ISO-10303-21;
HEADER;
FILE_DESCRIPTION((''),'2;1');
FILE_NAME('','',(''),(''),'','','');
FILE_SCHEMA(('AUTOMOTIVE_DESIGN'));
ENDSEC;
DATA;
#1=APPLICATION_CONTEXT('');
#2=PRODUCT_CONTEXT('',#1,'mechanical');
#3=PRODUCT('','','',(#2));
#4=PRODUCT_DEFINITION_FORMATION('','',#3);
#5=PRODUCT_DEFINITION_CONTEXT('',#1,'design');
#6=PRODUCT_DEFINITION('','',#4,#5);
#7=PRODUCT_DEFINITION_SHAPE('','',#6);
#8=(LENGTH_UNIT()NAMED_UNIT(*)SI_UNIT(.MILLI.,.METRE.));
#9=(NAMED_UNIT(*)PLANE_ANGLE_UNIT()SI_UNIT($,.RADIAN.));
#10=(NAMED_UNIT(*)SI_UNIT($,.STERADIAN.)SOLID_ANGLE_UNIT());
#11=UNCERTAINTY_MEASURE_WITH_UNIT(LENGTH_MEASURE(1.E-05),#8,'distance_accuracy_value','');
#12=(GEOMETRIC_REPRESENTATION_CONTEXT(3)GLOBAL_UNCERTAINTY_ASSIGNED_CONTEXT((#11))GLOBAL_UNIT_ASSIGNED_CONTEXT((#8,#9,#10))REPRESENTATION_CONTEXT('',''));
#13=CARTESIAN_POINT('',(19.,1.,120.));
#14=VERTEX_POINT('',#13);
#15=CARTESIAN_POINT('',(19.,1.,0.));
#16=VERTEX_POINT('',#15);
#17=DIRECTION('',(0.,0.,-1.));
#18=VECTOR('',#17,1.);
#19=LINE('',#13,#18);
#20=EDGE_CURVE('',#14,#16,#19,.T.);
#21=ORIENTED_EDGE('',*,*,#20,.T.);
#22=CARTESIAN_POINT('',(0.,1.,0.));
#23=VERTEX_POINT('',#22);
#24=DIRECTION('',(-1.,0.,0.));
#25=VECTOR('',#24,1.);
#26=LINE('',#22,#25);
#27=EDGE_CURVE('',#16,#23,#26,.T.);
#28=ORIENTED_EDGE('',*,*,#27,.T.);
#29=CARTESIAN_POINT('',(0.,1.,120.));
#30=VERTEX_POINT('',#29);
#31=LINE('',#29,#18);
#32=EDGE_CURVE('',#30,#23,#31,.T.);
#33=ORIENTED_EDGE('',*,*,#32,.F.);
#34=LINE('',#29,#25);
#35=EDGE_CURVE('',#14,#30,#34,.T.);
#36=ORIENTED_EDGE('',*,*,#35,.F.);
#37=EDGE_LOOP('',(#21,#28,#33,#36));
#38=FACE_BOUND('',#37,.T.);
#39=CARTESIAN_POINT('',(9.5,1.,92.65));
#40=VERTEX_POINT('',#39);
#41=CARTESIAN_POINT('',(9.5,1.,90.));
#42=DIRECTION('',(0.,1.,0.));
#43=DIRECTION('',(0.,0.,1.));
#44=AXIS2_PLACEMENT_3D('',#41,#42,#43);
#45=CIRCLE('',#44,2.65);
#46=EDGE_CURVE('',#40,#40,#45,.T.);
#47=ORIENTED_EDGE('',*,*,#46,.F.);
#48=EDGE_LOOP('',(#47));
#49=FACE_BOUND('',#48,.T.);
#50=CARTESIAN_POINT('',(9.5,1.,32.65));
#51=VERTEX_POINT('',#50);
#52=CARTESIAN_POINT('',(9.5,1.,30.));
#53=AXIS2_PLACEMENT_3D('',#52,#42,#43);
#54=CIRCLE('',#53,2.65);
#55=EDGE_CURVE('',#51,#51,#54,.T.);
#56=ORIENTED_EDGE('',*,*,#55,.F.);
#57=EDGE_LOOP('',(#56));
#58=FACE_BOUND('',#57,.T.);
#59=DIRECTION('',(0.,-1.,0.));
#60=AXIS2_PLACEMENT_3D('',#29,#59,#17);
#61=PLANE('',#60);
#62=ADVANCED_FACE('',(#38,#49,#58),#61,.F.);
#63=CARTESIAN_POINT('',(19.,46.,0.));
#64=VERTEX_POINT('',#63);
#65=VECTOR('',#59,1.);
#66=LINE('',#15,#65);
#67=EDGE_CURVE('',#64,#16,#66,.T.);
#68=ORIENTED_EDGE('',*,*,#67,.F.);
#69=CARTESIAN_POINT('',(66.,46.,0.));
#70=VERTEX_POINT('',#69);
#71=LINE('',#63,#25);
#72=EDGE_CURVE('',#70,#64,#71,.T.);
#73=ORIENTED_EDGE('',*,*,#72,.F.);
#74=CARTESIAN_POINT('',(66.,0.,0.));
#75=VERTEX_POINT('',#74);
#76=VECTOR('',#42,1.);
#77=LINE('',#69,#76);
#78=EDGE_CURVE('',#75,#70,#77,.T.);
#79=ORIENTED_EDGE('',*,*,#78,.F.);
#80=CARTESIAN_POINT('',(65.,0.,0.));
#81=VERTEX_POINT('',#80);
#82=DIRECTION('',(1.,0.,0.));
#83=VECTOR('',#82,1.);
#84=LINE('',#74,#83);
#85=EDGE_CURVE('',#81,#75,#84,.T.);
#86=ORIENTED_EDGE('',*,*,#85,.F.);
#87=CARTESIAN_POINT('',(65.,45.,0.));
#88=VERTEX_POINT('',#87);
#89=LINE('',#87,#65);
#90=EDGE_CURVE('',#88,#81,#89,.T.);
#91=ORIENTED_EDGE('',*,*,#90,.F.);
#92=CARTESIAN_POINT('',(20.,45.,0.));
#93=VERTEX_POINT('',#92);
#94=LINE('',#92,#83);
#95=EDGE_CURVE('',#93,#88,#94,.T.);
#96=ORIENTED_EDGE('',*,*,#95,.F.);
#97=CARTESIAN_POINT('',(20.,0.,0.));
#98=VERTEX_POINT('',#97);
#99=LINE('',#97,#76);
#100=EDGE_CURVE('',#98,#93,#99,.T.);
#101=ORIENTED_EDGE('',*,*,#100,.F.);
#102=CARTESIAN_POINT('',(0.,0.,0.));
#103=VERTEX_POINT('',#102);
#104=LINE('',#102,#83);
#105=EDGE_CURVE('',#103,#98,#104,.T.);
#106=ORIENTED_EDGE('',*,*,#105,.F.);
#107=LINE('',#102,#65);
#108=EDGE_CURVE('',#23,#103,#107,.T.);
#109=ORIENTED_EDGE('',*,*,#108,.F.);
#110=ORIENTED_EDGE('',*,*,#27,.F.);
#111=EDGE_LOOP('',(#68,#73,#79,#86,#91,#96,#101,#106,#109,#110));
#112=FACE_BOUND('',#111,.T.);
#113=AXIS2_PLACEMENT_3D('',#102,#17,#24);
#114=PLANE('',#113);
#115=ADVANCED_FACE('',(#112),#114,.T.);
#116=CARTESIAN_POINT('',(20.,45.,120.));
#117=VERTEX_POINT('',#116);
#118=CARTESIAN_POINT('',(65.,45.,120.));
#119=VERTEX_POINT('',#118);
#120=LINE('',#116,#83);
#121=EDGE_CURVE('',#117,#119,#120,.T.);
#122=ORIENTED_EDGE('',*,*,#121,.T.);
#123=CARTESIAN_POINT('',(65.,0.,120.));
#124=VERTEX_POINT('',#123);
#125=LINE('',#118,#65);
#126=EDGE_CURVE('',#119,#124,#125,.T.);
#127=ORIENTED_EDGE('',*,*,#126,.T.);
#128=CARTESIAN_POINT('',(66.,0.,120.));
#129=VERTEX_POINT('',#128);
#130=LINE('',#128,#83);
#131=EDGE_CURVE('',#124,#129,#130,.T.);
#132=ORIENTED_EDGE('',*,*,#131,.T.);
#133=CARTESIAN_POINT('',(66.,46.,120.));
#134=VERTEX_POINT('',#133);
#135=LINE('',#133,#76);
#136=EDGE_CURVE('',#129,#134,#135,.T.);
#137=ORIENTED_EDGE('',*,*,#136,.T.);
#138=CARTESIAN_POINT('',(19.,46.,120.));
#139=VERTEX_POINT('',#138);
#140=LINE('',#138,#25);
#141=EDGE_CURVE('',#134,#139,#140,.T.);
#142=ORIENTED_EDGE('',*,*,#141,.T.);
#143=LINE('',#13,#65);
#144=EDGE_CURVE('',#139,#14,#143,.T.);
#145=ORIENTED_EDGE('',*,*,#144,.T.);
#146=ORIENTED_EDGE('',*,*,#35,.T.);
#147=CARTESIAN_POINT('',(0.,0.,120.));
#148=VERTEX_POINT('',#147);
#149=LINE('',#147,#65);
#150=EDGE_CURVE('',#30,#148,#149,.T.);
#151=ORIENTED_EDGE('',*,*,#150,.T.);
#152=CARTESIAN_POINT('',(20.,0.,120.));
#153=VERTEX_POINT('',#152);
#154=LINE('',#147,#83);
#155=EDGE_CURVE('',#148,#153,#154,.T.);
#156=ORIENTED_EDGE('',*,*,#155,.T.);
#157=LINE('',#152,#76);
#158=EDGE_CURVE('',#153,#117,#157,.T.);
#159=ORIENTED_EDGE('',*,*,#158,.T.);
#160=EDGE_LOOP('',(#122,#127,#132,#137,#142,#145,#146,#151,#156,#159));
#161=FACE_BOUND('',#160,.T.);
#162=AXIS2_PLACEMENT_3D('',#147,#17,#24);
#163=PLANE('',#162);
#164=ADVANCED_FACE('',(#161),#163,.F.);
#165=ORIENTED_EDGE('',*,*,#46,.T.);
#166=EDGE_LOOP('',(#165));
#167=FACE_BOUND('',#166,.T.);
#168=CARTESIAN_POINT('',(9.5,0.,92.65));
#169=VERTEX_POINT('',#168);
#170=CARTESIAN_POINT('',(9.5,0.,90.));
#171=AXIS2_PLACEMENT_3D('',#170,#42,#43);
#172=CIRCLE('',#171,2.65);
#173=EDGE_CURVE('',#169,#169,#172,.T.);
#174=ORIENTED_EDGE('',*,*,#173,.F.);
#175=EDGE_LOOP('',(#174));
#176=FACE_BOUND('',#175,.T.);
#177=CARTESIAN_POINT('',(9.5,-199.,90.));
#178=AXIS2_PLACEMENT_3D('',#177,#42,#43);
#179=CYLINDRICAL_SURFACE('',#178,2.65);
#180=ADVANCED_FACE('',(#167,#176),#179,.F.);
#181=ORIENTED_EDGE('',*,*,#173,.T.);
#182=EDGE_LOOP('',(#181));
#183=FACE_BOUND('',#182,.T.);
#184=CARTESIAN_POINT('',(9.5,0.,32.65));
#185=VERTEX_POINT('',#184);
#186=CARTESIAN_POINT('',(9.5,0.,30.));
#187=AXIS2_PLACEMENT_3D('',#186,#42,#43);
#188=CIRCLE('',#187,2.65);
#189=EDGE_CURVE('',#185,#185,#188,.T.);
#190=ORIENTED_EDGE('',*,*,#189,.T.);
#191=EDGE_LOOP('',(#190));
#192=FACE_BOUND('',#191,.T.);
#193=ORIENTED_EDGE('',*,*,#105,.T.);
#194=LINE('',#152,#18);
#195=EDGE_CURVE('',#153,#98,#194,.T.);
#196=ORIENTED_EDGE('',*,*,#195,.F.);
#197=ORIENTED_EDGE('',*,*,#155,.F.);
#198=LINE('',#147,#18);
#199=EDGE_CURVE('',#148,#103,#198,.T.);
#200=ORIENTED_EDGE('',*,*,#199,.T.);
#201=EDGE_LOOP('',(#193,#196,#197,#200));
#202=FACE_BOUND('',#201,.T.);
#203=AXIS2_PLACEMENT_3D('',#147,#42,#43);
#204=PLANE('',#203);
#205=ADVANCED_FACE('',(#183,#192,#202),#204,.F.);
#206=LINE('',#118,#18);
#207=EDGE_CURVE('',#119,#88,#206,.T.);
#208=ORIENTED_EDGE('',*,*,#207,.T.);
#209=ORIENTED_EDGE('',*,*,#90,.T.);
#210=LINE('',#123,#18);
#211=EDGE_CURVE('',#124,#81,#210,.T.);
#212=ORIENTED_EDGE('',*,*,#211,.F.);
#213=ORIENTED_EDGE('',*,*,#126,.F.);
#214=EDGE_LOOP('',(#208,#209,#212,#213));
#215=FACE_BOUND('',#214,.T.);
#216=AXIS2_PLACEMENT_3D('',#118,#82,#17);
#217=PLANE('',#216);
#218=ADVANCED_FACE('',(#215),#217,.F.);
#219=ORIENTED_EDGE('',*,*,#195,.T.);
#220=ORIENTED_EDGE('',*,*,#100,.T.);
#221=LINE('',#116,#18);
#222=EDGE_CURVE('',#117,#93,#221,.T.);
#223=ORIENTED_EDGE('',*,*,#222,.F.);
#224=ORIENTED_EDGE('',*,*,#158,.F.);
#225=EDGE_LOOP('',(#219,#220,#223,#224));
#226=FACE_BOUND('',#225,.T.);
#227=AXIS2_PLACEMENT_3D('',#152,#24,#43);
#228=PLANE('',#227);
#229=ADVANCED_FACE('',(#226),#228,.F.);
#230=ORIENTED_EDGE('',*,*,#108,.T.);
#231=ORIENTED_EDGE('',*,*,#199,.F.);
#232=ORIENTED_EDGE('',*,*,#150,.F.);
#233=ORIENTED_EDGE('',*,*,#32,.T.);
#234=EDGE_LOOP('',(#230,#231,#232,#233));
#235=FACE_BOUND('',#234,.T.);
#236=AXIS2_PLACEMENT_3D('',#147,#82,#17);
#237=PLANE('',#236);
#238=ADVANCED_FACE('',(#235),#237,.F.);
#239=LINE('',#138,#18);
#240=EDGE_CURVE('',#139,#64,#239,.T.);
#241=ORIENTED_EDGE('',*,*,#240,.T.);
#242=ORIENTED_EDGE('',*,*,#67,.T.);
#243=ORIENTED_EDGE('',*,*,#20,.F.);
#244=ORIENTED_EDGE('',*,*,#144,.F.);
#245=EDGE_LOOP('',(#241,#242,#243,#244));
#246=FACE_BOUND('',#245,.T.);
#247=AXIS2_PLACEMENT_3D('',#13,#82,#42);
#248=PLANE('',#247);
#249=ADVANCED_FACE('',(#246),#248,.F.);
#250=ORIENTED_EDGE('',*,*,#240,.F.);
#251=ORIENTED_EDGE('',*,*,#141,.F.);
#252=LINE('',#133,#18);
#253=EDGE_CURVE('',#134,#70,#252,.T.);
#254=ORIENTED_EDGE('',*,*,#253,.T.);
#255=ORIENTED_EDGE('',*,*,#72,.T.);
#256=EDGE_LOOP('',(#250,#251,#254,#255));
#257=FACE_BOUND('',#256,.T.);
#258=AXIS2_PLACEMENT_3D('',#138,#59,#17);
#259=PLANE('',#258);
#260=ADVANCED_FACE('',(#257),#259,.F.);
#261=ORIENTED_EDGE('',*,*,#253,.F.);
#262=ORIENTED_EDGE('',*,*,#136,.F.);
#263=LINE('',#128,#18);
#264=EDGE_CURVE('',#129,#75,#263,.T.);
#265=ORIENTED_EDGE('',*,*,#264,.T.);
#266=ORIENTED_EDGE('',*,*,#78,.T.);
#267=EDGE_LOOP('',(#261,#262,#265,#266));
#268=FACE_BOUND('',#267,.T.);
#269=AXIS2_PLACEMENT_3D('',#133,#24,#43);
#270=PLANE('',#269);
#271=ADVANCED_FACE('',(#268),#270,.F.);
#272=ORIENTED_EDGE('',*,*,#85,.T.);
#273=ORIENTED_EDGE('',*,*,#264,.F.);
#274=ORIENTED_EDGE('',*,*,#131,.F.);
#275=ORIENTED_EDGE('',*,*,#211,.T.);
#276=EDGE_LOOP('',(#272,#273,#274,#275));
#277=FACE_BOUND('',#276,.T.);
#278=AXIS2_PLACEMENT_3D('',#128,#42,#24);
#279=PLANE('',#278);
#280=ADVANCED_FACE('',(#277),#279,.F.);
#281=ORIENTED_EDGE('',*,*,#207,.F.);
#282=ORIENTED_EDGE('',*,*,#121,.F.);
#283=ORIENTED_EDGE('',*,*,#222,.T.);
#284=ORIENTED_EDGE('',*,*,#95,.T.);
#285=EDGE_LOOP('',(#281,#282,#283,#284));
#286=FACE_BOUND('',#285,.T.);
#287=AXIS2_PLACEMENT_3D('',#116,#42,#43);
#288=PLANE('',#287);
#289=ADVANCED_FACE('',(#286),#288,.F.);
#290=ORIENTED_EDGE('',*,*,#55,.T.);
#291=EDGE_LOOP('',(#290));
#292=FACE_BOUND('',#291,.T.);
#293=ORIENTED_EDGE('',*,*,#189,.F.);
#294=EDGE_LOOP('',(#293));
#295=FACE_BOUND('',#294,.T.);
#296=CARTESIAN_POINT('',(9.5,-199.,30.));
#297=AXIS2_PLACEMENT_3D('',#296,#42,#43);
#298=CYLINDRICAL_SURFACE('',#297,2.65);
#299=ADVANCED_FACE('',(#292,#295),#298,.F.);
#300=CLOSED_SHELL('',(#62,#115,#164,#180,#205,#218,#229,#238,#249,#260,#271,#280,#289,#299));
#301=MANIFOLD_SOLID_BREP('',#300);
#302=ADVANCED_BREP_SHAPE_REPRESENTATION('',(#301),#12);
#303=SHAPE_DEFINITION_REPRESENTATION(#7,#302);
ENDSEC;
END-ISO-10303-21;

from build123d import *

# Parameters (mm, degrees)
BOSS_EXTRUDE1_DEPTH = 120
SKETCH2_R           = 2.65
CUT_EXTRUDE1_DEPTH  = 200


with BuildPart() as part:
    # Sketch1 → Boss-Extrude1 (new body)
    with BuildSketch(Plane.XY):
        Polygon((0, 0), (20, 0), (20, 45), (65, 45), (65, 0), (66, 0), (66, 46), (19, 46), (19, 1), (0, 1), align=None)
    extrude(amount=BOSS_EXTRUDE1_DEPTH)

    # Sketch2 → Cut-Extrude1 (cut)
    with BuildSketch(Plane(origin=(0, 1, 0), x_dir=(1, 0, 0), z_dir=(0, 1, 0))):
        with Locations((9.5, -30)):
            Circle(SKETCH2_R)
        with Locations((9.5, -90)):
            Circle(SKETCH2_R)
    extrude(amount=-CUT_EXTRUDE1_DEPTH, mode=Mode.SUBTRACT)


solid = part.part
